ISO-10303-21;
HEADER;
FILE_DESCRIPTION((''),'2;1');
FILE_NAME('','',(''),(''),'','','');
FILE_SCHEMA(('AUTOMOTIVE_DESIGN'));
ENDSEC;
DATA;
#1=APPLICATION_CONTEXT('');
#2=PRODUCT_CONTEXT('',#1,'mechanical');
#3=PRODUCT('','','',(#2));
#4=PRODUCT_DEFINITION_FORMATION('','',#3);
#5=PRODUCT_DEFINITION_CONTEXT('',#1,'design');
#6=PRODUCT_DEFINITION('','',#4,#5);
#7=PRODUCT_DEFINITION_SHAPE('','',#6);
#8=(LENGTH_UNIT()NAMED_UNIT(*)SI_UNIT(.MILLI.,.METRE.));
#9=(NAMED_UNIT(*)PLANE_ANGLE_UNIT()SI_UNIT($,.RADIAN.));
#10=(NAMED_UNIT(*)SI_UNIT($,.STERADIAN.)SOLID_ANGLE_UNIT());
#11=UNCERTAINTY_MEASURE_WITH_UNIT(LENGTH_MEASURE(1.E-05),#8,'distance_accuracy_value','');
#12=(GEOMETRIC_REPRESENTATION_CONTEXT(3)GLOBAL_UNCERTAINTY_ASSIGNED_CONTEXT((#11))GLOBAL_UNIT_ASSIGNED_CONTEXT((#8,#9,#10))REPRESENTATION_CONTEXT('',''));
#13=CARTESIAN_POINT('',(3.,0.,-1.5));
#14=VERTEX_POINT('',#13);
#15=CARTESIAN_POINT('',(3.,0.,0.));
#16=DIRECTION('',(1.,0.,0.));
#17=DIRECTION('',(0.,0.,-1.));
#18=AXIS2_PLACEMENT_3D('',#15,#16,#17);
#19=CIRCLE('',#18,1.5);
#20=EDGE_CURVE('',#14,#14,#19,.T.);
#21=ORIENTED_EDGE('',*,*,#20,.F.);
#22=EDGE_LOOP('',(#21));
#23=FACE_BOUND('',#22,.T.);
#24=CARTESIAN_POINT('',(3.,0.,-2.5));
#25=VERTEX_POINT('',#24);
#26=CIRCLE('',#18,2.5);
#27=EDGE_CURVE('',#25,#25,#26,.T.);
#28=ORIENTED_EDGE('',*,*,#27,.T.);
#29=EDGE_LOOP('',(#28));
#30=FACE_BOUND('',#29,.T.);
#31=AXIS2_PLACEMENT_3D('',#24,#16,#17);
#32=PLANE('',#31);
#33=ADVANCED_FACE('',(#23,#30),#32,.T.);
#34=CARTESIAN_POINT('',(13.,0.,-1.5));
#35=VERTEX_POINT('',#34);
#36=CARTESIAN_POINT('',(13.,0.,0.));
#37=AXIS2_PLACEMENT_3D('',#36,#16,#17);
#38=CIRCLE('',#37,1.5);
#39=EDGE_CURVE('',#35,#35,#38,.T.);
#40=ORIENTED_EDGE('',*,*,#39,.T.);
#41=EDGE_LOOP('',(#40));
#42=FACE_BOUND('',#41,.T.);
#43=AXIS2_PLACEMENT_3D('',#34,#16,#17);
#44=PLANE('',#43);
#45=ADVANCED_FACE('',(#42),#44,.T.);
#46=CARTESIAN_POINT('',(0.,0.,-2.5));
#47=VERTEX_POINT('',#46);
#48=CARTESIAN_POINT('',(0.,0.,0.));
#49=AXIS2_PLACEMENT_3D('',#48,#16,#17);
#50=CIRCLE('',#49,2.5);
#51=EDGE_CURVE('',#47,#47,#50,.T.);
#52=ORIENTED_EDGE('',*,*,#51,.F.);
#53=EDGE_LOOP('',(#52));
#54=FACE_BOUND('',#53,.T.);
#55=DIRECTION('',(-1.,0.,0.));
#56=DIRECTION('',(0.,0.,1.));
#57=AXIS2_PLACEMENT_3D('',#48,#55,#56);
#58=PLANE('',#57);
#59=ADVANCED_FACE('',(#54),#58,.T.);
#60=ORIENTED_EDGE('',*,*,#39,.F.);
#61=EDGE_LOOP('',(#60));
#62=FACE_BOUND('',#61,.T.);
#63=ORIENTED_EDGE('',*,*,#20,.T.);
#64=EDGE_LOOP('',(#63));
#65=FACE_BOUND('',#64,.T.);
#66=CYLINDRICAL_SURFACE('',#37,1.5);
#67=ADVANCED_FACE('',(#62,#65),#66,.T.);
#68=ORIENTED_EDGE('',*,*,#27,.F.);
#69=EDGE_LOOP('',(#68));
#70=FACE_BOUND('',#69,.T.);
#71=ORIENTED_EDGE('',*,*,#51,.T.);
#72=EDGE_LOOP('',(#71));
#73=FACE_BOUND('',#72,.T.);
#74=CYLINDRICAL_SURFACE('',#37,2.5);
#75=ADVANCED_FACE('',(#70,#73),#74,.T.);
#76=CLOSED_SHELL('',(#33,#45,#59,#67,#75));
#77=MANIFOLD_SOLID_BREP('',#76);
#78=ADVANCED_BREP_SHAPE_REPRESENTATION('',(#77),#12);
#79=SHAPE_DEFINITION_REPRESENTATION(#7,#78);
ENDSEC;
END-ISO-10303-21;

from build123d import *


with BuildPart() as part:
    # Sketch1 → Revolve1 (revolve)
    with BuildSketch(Plane(origin=(0, 0, 0), x_dir=(1, 0, 0), z_dir=(0, 1, 0))):
        Polygon((0, 0), (0, 2.5), (3, 2.5), (3, 1.5), (13, 1.5), (13, 0), align=None)
    revolve(axis=Axis((13, 0, 0), (-1, 0, 0)))


solid = part.part
